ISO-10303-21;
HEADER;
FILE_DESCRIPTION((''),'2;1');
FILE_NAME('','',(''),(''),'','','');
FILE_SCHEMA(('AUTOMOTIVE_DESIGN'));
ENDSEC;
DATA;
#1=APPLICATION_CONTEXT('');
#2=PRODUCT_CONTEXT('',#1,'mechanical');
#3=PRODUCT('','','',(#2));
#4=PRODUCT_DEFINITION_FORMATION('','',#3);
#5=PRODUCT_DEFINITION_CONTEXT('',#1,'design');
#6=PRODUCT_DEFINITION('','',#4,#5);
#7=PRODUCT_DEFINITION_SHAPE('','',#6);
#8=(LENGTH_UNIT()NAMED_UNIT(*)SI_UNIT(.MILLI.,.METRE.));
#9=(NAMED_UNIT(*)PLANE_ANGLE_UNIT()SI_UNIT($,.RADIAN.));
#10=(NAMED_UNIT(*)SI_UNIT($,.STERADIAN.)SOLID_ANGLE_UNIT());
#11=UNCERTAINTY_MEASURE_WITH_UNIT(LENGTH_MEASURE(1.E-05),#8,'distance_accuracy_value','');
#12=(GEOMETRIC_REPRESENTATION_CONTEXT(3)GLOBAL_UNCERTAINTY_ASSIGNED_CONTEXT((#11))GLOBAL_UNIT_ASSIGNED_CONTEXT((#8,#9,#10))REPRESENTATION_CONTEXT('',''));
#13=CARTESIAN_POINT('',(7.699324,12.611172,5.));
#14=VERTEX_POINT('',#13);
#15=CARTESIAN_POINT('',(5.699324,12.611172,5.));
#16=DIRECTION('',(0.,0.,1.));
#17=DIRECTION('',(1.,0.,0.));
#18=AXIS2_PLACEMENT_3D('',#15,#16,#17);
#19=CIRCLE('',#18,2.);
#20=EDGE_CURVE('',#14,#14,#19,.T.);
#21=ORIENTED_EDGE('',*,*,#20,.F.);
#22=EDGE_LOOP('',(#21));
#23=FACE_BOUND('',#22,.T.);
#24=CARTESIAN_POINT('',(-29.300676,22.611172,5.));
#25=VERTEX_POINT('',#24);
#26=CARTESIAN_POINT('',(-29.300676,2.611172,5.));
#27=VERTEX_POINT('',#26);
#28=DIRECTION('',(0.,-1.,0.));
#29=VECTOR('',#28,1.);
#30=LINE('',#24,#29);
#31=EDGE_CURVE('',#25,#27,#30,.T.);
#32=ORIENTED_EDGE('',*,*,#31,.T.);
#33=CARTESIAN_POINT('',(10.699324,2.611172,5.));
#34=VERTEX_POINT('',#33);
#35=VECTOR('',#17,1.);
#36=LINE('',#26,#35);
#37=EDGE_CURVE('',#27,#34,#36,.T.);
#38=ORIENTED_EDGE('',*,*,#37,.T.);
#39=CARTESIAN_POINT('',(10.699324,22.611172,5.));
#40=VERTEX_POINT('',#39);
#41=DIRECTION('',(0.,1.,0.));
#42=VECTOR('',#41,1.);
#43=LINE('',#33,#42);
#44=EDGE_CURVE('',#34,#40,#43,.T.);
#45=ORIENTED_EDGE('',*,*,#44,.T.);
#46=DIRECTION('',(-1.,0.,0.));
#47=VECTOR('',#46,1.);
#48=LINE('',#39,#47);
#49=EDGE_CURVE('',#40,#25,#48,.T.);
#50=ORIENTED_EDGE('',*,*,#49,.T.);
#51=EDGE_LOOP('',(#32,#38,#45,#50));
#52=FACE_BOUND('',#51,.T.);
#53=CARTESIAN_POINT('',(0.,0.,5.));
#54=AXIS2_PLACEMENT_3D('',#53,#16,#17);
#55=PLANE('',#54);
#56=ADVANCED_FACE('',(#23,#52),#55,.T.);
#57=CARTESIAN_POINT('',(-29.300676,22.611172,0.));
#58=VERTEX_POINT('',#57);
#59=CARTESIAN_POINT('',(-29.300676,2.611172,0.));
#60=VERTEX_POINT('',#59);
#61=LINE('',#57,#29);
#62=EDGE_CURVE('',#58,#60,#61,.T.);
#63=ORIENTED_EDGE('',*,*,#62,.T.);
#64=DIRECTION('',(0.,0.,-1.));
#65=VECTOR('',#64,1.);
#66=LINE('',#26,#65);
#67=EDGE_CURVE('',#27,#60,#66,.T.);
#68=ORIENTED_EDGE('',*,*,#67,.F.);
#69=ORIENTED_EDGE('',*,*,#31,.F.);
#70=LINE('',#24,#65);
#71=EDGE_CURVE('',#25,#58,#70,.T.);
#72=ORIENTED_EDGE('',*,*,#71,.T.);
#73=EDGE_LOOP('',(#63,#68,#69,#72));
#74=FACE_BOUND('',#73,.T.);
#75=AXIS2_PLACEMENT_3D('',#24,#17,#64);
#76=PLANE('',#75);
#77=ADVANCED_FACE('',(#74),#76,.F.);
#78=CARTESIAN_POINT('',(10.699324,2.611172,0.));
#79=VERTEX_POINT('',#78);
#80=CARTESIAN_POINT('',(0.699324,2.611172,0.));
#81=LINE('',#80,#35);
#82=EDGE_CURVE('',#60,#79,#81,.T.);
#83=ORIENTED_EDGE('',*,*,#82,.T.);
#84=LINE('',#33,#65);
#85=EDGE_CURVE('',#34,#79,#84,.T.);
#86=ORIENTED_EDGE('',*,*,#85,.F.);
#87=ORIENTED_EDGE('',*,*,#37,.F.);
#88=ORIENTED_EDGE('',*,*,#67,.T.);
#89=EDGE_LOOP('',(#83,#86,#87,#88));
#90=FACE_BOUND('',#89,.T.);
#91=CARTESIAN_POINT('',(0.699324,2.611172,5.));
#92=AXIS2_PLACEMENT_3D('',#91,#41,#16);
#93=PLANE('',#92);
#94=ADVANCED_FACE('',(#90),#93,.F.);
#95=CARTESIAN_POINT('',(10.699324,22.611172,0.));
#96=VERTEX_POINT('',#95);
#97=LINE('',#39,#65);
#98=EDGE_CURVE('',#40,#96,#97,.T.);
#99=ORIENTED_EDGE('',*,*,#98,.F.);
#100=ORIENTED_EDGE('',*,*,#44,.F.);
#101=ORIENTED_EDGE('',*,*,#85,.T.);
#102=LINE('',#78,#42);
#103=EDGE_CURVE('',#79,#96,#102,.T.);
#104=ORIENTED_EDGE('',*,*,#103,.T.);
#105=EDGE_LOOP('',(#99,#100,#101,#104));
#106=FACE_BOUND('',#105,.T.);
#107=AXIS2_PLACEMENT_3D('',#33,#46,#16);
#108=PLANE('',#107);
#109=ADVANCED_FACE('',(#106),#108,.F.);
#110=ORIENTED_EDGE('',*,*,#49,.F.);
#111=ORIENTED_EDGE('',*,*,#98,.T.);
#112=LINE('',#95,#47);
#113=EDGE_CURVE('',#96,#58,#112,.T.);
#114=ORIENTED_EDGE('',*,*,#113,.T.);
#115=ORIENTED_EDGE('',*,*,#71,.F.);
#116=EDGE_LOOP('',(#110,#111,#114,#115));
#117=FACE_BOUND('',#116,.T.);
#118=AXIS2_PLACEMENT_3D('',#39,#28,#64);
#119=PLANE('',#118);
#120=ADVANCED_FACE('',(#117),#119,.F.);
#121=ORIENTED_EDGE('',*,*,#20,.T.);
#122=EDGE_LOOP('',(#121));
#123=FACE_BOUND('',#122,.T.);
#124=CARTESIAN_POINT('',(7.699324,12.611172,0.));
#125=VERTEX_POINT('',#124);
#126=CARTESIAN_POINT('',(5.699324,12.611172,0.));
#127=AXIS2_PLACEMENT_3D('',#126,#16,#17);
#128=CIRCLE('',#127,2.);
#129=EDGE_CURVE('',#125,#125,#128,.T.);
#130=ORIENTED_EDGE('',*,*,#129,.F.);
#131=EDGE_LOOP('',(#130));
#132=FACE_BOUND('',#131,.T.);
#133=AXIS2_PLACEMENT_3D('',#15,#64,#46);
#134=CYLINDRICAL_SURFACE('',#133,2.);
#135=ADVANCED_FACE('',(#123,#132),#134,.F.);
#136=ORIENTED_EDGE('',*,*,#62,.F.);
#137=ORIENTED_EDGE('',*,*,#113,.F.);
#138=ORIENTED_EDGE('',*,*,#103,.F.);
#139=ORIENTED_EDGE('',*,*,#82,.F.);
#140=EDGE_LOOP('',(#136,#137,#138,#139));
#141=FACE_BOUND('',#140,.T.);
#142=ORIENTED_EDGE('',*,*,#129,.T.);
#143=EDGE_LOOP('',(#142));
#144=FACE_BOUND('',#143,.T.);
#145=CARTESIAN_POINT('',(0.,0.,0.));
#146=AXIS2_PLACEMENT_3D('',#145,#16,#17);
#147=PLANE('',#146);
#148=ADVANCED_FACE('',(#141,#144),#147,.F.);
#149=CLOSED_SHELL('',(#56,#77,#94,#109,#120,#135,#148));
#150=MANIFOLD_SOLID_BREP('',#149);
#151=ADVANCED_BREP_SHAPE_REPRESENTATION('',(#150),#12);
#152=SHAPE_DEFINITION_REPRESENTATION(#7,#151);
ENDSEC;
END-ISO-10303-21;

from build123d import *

# Parameters (mm, degrees)
SKETCH_1_R      = 2
EXTRUDE_1_DEPTH = 5


with BuildPart() as part:
    # 草图1 → 凸台-拉伸1 (new body)
    with BuildSketch(Plane.XY):
        Polygon((-29.300676155, 22.6111722), (-29.300676155, 2.6111722), (0.699323845, 2.6111722), (10.699323845, 2.6111722), (10.699323845, 22.6111722), align=None)
        with Locations((5.699323845, 12.6111722)):
            Circle(SKETCH_1_R, mode=Mode.SUBTRACT)
    extrude(amount=EXTRUDE_1_DEPTH)


solid = part.part
